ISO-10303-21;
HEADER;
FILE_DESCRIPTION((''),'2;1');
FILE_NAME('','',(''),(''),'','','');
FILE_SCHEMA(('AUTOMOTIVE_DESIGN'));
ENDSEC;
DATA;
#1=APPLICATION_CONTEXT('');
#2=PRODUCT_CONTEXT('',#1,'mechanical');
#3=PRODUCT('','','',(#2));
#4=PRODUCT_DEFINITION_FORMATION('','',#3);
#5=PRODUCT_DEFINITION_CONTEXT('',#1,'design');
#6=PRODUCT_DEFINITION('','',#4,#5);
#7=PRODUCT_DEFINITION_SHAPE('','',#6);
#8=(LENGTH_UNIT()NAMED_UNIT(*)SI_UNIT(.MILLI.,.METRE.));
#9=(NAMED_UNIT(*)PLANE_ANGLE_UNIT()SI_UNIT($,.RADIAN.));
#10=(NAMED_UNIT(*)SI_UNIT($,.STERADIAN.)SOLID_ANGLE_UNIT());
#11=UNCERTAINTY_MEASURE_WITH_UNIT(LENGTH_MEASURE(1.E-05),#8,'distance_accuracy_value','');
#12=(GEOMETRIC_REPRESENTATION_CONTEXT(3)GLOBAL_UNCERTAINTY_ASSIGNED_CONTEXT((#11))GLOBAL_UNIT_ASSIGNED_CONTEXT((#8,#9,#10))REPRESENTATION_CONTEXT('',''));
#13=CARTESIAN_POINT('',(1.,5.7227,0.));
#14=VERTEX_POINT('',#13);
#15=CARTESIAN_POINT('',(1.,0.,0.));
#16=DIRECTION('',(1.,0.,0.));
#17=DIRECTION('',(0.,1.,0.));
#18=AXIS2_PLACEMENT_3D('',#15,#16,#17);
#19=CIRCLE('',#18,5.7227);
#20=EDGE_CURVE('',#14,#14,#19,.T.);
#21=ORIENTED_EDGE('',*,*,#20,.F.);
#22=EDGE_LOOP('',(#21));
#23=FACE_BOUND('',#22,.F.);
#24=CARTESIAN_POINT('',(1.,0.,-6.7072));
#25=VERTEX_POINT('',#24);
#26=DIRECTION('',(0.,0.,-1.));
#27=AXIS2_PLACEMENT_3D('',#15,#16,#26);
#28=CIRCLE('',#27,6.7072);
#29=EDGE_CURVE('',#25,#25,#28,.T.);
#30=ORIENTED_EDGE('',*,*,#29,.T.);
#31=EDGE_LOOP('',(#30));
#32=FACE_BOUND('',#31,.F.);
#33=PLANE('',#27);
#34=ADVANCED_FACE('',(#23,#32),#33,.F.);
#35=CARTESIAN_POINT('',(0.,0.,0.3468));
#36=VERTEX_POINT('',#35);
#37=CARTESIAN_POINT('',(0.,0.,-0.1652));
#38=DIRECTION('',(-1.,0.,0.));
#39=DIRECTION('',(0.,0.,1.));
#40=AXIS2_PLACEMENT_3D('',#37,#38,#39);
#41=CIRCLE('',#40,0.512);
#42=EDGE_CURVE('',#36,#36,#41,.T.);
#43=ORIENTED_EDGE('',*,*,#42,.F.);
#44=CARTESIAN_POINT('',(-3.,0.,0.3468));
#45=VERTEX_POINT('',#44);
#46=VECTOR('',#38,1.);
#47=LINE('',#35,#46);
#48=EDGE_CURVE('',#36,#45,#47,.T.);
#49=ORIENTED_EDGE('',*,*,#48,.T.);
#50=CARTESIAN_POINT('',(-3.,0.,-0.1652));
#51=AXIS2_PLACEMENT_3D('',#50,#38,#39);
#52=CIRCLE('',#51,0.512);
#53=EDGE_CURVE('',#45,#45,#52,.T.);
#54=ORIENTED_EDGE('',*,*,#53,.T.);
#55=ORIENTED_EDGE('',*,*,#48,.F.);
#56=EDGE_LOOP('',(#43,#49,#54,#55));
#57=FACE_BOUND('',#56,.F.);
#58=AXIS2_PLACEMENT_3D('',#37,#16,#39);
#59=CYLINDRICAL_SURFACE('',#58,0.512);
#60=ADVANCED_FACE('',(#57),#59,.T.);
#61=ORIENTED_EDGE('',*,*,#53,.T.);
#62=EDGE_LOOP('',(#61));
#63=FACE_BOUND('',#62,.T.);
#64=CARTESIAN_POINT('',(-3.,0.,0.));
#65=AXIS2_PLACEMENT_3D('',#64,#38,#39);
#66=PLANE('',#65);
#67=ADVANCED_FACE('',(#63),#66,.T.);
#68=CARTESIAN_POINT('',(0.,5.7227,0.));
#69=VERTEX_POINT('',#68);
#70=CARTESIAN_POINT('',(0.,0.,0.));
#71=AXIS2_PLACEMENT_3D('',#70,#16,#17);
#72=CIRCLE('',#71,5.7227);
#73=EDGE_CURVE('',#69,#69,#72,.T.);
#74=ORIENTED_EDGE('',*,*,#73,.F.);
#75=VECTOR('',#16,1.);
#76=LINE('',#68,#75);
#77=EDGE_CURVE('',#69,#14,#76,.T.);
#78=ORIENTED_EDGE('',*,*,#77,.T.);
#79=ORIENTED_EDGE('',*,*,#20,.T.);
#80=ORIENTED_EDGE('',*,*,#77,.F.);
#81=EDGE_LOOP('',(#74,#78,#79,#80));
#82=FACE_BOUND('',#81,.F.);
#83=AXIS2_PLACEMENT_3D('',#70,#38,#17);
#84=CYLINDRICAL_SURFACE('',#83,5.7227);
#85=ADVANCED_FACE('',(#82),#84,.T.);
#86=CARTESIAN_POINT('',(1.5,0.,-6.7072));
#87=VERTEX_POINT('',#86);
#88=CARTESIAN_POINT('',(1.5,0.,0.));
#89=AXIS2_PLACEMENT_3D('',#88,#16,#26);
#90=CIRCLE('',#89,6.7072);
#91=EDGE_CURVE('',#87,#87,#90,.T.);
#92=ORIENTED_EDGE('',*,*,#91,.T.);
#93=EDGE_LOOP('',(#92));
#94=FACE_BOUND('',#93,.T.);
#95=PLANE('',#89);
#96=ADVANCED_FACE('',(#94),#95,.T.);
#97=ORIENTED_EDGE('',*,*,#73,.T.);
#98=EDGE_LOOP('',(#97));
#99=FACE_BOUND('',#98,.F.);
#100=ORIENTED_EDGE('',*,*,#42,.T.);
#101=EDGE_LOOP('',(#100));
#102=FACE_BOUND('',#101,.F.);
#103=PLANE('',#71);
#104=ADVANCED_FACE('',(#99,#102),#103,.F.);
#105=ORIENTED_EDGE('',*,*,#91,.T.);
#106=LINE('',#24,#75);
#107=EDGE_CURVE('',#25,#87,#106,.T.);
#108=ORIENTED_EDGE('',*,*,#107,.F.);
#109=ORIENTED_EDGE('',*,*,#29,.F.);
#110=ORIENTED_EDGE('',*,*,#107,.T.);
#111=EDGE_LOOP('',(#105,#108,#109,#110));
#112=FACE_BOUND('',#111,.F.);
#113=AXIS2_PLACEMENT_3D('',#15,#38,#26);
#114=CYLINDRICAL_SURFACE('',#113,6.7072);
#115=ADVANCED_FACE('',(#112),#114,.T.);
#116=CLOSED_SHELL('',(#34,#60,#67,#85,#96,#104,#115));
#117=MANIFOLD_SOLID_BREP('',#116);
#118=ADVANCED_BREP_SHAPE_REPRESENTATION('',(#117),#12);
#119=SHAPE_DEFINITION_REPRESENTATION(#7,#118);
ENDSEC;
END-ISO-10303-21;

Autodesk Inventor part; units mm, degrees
ref_plane "YZ Plane" through (0, 0, 0) normal (1, 0, 0) x (0, 1, 0)
ref_plane "XZ Plane" through (0, 0, 0) normal (0, 1, 0) x (-1, 0, 0)
ref_plane "XY Plane" through (0, 0, 0) normal (0, 0, 1) x (1, 0, 0)
sketch "Sketch1" plane through (0, 0, 0) normal (1, 0, 0) x (0, 1, 0)
  circle A0 centre (0, 0) radius 5.7227
extrude "Extrusion1" add sketch "Sketch1" along normal blind 1
sketch "Sketch2" plane through (1, 0, 0) normal (1, 0, 0) x (0, 0, -1)
  circle A0 centre (0, 0) radius 6.7072
extrude "Extrusion2" add sketch "Sketch2" along normal blind 0.5
sketch "Sketch3" plane through (0, 0, 0) normal (-1, 0, 0) x (0, 0, 1)
  circle A0 centre (-0.1652, 0) radius 0.512
  point P0 (0, 0)
extrude "Extrusion3" add sketch "Sketch3" along normal blind 3
